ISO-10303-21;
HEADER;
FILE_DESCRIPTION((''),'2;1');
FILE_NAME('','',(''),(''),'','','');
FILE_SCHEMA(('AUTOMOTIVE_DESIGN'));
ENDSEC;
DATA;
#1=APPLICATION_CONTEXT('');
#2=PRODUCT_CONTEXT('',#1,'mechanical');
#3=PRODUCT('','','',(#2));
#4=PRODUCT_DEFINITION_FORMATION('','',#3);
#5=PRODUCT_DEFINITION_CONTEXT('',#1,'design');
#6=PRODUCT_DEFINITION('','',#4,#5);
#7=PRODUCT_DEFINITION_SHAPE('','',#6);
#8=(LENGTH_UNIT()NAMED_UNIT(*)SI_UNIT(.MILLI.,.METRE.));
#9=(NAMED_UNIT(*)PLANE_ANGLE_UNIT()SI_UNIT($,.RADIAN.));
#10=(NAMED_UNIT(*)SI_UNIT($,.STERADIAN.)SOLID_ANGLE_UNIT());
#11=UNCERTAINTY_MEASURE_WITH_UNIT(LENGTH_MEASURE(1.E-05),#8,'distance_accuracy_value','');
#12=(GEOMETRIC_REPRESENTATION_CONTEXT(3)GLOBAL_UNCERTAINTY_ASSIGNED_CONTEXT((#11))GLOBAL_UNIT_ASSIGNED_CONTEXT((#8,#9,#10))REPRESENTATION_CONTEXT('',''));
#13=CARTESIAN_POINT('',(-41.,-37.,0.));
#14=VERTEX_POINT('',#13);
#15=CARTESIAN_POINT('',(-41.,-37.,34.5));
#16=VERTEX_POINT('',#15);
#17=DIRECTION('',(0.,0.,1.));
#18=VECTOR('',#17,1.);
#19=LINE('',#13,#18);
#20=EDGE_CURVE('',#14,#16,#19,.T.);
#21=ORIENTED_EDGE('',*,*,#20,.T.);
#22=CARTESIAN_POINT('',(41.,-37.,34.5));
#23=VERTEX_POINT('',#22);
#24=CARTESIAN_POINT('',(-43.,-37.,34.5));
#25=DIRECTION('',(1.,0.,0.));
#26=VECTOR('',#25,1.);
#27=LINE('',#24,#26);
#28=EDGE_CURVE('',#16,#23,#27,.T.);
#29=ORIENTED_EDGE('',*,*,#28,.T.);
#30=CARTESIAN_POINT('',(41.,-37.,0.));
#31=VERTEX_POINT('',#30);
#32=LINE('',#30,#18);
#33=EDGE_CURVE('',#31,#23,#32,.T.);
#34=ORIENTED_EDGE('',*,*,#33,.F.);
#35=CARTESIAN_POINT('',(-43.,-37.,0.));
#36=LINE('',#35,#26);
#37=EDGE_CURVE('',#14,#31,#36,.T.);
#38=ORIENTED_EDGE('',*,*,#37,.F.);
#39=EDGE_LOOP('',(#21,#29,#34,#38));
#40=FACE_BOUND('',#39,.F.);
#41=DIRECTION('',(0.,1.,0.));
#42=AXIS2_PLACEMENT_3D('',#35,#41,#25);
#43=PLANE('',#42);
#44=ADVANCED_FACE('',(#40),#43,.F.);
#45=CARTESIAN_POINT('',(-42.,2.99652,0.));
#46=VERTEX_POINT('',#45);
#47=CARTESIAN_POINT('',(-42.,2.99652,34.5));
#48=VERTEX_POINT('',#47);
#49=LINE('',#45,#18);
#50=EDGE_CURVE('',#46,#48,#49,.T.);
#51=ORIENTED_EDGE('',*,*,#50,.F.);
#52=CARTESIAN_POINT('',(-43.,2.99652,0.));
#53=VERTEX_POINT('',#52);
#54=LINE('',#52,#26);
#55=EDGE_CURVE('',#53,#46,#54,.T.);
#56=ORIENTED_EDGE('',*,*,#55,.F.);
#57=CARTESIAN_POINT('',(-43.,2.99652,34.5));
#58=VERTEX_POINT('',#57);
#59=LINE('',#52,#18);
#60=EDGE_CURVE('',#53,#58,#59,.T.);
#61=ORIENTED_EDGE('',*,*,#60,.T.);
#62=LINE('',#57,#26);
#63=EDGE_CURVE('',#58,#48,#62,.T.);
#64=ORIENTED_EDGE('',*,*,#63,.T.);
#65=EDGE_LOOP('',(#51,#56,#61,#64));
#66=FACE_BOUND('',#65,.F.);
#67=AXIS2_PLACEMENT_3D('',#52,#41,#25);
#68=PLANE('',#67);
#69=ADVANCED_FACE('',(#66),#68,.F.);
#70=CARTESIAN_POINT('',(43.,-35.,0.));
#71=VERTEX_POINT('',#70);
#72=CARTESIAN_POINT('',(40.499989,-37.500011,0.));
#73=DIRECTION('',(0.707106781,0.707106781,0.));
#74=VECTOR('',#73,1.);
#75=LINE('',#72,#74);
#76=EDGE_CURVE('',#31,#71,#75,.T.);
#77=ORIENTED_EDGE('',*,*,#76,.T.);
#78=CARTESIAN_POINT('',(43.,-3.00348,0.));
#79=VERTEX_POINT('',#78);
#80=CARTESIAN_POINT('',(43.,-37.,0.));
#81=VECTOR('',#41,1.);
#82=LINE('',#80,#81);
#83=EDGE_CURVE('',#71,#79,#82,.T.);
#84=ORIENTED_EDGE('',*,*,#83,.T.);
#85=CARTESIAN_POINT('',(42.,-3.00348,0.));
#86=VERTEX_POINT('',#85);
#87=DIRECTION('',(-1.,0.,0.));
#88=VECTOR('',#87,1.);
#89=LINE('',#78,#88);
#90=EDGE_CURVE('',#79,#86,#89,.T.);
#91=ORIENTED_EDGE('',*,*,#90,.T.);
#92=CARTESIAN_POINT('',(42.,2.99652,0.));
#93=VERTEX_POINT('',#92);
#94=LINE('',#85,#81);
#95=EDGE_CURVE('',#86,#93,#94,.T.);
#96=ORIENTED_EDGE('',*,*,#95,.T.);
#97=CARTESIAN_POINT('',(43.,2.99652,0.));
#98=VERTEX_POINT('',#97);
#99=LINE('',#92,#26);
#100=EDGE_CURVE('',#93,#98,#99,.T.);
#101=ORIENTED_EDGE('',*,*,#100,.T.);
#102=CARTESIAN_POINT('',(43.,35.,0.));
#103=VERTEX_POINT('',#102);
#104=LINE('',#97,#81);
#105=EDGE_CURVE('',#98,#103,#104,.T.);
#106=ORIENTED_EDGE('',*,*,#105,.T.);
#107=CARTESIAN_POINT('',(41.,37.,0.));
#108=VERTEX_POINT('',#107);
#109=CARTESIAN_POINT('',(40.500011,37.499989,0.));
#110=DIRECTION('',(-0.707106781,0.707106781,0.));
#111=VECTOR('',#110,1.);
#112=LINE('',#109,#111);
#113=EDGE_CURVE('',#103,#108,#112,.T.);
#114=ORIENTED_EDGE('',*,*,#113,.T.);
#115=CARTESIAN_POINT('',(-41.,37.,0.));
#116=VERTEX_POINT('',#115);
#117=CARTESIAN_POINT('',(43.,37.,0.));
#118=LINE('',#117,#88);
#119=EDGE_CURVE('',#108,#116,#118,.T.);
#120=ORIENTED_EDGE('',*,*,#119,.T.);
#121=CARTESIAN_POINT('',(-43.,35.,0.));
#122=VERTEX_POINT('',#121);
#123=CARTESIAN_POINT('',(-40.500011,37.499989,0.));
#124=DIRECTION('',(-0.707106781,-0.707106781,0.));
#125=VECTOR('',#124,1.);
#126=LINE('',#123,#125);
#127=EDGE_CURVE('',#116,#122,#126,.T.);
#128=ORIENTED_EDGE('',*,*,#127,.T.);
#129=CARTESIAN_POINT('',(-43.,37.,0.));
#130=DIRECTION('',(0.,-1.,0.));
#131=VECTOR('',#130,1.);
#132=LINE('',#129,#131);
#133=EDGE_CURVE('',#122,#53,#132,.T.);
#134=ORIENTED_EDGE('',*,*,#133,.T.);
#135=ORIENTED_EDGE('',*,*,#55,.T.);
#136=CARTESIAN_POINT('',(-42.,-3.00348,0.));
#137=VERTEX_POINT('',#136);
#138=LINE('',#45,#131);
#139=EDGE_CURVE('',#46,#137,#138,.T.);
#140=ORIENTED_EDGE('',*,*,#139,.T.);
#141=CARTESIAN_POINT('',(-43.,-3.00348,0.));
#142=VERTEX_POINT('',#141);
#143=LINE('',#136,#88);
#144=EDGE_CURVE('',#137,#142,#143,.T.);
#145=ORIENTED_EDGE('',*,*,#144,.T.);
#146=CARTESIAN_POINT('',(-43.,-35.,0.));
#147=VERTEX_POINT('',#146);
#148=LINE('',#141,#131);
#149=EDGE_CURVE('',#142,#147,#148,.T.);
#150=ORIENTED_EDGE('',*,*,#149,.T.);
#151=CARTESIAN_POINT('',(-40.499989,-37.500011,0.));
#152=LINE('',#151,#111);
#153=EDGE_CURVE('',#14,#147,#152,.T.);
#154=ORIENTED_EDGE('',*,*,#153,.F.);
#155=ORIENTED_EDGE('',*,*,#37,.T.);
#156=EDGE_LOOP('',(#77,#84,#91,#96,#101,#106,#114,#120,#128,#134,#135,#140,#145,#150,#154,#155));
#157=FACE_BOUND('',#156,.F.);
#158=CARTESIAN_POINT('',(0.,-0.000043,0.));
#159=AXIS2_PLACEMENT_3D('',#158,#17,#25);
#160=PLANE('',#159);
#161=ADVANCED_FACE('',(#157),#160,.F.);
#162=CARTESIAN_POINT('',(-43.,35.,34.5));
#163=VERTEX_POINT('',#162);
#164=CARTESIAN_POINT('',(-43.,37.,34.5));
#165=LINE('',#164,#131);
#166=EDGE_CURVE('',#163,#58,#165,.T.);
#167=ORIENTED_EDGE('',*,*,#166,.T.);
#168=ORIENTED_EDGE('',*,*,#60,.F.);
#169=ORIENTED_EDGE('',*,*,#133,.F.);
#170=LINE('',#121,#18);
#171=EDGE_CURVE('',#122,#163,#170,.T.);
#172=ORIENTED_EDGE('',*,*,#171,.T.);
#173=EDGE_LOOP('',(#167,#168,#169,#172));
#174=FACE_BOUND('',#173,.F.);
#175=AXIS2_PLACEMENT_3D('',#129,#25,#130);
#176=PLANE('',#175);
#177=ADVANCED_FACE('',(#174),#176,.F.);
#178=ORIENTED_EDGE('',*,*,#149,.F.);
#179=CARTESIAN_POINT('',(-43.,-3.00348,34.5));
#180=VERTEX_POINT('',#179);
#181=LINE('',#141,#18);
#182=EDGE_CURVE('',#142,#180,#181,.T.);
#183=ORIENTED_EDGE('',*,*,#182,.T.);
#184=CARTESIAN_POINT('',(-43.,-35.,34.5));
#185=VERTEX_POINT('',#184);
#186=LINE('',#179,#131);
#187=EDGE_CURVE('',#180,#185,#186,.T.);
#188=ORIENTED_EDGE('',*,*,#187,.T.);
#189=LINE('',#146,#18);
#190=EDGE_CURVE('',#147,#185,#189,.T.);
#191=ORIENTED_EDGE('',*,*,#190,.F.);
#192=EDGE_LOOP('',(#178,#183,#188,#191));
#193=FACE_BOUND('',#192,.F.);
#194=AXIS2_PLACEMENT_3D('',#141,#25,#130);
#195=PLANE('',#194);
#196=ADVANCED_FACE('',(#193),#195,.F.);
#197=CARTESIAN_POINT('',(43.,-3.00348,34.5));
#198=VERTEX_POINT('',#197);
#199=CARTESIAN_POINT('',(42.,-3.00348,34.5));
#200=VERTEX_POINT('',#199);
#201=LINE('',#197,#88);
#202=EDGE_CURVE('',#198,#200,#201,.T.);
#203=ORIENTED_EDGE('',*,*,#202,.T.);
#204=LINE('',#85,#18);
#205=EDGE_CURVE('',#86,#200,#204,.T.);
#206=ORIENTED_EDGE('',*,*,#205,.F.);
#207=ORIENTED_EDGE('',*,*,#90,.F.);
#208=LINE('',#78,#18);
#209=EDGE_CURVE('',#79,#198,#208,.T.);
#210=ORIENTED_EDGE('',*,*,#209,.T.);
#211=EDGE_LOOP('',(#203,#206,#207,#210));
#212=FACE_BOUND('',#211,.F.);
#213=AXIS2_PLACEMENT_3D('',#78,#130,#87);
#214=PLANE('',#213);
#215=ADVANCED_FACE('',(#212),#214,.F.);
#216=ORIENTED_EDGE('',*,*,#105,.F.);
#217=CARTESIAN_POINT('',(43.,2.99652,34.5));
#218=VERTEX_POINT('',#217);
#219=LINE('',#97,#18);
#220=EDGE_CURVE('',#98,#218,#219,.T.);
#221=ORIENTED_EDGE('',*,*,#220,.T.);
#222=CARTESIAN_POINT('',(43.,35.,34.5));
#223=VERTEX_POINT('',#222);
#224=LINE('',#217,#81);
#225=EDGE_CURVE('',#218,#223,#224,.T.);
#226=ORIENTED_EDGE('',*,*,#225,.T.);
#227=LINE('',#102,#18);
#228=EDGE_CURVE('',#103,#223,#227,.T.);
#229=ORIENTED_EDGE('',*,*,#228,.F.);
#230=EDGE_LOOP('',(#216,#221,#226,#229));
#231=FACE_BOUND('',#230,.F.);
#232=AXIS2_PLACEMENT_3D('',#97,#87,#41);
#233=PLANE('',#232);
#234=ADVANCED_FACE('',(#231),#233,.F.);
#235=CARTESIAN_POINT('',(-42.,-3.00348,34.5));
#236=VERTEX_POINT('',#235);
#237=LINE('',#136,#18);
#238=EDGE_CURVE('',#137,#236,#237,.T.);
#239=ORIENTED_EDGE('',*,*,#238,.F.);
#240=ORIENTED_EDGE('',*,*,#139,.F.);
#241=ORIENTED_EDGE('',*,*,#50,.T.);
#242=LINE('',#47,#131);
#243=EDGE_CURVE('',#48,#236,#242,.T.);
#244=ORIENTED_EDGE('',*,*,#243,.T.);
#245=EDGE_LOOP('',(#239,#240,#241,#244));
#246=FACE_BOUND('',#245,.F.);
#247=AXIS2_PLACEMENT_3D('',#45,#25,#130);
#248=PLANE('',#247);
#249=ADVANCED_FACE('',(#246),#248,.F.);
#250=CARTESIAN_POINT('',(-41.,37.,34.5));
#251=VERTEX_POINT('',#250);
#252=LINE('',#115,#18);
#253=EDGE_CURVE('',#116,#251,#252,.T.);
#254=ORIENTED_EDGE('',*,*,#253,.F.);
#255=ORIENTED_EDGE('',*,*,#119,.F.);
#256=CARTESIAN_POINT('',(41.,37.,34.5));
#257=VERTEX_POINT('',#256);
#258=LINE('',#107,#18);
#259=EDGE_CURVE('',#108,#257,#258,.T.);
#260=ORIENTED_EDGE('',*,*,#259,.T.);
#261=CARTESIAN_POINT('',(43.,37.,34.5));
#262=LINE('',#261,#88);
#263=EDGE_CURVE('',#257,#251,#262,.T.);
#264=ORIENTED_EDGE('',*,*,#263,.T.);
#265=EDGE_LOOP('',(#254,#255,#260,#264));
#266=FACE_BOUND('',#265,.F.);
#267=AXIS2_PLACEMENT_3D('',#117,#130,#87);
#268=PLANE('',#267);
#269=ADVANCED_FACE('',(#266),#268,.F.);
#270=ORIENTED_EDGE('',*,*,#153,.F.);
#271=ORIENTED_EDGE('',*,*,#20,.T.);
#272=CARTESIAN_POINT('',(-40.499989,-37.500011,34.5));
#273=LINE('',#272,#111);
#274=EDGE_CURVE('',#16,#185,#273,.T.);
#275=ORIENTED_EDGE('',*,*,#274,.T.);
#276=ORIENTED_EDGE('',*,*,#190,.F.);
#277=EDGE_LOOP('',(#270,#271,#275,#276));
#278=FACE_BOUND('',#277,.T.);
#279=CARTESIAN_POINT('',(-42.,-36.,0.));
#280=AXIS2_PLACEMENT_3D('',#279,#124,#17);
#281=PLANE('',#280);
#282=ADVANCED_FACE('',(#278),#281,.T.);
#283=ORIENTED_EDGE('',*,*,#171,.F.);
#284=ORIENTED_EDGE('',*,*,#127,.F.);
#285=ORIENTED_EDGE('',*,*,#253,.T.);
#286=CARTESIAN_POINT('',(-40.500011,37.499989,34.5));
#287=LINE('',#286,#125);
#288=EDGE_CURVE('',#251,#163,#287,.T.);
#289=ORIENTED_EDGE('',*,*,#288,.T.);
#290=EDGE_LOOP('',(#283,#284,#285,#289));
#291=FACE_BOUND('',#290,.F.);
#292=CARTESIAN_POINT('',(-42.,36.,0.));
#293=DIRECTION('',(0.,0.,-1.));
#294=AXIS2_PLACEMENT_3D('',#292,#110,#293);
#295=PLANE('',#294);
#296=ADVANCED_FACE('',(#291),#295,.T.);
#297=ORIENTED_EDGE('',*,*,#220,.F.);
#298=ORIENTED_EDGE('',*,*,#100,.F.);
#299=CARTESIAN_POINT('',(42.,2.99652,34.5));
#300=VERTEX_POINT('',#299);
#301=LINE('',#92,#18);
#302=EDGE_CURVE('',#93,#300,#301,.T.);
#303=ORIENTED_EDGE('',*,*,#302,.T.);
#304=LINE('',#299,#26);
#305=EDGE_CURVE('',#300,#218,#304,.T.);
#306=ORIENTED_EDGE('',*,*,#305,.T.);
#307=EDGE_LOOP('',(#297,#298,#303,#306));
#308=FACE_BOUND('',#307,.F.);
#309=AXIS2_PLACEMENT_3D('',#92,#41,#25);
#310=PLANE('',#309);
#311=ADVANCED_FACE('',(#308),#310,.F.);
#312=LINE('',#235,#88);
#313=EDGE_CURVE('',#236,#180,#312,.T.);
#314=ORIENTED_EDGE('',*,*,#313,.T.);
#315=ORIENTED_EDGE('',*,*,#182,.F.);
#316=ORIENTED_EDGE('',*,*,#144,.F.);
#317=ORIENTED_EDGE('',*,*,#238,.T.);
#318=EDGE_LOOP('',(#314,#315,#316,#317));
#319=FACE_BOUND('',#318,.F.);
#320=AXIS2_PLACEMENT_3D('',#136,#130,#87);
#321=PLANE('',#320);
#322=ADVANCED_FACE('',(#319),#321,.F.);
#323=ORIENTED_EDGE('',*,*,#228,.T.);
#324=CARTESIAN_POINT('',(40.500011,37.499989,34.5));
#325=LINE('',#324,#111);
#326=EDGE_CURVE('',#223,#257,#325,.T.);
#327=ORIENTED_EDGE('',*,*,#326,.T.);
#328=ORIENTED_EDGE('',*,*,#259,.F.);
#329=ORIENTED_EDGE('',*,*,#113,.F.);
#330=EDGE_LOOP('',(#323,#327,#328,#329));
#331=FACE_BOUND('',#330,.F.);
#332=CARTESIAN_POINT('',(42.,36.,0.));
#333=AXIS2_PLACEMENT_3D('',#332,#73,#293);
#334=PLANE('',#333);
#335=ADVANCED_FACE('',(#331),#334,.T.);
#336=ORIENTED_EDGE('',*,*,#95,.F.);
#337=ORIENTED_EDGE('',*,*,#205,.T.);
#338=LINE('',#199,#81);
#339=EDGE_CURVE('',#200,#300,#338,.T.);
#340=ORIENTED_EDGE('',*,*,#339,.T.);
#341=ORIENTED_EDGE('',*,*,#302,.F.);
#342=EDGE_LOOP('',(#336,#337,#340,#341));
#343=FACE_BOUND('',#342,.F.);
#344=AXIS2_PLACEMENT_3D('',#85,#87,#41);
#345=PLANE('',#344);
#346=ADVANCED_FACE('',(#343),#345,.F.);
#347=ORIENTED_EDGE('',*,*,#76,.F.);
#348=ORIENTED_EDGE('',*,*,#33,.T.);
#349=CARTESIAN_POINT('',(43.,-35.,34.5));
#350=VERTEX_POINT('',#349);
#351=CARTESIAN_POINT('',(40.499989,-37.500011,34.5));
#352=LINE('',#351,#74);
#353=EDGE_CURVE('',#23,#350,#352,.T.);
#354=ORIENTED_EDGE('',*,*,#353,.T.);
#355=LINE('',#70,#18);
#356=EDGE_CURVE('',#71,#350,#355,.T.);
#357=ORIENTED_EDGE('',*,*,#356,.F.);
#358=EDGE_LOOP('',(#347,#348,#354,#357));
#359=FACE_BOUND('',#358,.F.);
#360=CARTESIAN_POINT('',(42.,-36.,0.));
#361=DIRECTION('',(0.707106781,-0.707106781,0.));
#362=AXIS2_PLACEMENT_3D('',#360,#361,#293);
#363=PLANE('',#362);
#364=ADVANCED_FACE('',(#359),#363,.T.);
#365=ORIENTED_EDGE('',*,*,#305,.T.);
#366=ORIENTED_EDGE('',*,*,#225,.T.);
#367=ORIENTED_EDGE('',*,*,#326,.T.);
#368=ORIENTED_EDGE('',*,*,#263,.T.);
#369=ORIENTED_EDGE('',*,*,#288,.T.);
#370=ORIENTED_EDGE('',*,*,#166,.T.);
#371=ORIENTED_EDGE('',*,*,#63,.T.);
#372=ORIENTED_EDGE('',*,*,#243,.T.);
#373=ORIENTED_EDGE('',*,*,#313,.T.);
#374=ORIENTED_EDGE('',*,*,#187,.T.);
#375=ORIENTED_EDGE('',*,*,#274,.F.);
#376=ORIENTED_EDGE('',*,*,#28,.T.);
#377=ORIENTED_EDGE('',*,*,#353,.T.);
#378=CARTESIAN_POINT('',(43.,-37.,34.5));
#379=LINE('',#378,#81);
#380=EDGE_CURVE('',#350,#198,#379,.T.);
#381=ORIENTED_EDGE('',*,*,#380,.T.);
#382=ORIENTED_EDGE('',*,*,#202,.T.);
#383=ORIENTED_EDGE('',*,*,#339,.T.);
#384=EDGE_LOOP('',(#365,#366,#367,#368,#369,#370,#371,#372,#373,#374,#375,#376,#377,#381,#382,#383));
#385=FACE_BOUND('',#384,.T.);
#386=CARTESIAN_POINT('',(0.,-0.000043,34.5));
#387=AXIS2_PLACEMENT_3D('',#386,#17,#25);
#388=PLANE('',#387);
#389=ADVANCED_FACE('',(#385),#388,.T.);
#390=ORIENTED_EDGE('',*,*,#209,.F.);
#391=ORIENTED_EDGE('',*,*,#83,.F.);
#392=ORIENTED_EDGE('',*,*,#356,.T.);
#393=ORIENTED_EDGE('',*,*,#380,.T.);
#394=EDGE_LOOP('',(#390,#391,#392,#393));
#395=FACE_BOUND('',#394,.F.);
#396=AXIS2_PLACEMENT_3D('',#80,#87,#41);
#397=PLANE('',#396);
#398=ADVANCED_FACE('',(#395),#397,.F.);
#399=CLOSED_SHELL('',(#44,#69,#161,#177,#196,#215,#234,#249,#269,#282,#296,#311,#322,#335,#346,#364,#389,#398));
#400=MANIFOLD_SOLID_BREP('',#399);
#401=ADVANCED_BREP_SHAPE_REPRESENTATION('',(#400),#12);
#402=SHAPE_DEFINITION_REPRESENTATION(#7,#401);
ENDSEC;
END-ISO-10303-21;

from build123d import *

# Parameters (mm, degrees)
F1_DEPTH = 34.5
F2_SIZE  = 2


with BuildPart() as f1:
    # F0 (on Top) → F1 (new body)
    with BuildSketch(Plane.XY):
        Polygon((-43, -37), (43, -37), (43, -3.00348), (42, -3.00348), (42, 2.99652), (43, 2.99652), (43, 37), (-43, 37), (-43, 2.99652), (-42, 2.99652), (-42, -3.00348), (-43, -3.00348), align=None)
    extrude(amount=F1_DEPTH)

    # F2
    f2_edges = [f1.edges().sort_by_distance(p)[0] for p in [
        (43, 37, 17.25),
        (43, -37, 17.25),
        (-43, 37, 17.25),
        (-43, -37, 17.25),
    ]]
    chamfer(f2_edges, length=F2_SIZE)


solid = f1.part
